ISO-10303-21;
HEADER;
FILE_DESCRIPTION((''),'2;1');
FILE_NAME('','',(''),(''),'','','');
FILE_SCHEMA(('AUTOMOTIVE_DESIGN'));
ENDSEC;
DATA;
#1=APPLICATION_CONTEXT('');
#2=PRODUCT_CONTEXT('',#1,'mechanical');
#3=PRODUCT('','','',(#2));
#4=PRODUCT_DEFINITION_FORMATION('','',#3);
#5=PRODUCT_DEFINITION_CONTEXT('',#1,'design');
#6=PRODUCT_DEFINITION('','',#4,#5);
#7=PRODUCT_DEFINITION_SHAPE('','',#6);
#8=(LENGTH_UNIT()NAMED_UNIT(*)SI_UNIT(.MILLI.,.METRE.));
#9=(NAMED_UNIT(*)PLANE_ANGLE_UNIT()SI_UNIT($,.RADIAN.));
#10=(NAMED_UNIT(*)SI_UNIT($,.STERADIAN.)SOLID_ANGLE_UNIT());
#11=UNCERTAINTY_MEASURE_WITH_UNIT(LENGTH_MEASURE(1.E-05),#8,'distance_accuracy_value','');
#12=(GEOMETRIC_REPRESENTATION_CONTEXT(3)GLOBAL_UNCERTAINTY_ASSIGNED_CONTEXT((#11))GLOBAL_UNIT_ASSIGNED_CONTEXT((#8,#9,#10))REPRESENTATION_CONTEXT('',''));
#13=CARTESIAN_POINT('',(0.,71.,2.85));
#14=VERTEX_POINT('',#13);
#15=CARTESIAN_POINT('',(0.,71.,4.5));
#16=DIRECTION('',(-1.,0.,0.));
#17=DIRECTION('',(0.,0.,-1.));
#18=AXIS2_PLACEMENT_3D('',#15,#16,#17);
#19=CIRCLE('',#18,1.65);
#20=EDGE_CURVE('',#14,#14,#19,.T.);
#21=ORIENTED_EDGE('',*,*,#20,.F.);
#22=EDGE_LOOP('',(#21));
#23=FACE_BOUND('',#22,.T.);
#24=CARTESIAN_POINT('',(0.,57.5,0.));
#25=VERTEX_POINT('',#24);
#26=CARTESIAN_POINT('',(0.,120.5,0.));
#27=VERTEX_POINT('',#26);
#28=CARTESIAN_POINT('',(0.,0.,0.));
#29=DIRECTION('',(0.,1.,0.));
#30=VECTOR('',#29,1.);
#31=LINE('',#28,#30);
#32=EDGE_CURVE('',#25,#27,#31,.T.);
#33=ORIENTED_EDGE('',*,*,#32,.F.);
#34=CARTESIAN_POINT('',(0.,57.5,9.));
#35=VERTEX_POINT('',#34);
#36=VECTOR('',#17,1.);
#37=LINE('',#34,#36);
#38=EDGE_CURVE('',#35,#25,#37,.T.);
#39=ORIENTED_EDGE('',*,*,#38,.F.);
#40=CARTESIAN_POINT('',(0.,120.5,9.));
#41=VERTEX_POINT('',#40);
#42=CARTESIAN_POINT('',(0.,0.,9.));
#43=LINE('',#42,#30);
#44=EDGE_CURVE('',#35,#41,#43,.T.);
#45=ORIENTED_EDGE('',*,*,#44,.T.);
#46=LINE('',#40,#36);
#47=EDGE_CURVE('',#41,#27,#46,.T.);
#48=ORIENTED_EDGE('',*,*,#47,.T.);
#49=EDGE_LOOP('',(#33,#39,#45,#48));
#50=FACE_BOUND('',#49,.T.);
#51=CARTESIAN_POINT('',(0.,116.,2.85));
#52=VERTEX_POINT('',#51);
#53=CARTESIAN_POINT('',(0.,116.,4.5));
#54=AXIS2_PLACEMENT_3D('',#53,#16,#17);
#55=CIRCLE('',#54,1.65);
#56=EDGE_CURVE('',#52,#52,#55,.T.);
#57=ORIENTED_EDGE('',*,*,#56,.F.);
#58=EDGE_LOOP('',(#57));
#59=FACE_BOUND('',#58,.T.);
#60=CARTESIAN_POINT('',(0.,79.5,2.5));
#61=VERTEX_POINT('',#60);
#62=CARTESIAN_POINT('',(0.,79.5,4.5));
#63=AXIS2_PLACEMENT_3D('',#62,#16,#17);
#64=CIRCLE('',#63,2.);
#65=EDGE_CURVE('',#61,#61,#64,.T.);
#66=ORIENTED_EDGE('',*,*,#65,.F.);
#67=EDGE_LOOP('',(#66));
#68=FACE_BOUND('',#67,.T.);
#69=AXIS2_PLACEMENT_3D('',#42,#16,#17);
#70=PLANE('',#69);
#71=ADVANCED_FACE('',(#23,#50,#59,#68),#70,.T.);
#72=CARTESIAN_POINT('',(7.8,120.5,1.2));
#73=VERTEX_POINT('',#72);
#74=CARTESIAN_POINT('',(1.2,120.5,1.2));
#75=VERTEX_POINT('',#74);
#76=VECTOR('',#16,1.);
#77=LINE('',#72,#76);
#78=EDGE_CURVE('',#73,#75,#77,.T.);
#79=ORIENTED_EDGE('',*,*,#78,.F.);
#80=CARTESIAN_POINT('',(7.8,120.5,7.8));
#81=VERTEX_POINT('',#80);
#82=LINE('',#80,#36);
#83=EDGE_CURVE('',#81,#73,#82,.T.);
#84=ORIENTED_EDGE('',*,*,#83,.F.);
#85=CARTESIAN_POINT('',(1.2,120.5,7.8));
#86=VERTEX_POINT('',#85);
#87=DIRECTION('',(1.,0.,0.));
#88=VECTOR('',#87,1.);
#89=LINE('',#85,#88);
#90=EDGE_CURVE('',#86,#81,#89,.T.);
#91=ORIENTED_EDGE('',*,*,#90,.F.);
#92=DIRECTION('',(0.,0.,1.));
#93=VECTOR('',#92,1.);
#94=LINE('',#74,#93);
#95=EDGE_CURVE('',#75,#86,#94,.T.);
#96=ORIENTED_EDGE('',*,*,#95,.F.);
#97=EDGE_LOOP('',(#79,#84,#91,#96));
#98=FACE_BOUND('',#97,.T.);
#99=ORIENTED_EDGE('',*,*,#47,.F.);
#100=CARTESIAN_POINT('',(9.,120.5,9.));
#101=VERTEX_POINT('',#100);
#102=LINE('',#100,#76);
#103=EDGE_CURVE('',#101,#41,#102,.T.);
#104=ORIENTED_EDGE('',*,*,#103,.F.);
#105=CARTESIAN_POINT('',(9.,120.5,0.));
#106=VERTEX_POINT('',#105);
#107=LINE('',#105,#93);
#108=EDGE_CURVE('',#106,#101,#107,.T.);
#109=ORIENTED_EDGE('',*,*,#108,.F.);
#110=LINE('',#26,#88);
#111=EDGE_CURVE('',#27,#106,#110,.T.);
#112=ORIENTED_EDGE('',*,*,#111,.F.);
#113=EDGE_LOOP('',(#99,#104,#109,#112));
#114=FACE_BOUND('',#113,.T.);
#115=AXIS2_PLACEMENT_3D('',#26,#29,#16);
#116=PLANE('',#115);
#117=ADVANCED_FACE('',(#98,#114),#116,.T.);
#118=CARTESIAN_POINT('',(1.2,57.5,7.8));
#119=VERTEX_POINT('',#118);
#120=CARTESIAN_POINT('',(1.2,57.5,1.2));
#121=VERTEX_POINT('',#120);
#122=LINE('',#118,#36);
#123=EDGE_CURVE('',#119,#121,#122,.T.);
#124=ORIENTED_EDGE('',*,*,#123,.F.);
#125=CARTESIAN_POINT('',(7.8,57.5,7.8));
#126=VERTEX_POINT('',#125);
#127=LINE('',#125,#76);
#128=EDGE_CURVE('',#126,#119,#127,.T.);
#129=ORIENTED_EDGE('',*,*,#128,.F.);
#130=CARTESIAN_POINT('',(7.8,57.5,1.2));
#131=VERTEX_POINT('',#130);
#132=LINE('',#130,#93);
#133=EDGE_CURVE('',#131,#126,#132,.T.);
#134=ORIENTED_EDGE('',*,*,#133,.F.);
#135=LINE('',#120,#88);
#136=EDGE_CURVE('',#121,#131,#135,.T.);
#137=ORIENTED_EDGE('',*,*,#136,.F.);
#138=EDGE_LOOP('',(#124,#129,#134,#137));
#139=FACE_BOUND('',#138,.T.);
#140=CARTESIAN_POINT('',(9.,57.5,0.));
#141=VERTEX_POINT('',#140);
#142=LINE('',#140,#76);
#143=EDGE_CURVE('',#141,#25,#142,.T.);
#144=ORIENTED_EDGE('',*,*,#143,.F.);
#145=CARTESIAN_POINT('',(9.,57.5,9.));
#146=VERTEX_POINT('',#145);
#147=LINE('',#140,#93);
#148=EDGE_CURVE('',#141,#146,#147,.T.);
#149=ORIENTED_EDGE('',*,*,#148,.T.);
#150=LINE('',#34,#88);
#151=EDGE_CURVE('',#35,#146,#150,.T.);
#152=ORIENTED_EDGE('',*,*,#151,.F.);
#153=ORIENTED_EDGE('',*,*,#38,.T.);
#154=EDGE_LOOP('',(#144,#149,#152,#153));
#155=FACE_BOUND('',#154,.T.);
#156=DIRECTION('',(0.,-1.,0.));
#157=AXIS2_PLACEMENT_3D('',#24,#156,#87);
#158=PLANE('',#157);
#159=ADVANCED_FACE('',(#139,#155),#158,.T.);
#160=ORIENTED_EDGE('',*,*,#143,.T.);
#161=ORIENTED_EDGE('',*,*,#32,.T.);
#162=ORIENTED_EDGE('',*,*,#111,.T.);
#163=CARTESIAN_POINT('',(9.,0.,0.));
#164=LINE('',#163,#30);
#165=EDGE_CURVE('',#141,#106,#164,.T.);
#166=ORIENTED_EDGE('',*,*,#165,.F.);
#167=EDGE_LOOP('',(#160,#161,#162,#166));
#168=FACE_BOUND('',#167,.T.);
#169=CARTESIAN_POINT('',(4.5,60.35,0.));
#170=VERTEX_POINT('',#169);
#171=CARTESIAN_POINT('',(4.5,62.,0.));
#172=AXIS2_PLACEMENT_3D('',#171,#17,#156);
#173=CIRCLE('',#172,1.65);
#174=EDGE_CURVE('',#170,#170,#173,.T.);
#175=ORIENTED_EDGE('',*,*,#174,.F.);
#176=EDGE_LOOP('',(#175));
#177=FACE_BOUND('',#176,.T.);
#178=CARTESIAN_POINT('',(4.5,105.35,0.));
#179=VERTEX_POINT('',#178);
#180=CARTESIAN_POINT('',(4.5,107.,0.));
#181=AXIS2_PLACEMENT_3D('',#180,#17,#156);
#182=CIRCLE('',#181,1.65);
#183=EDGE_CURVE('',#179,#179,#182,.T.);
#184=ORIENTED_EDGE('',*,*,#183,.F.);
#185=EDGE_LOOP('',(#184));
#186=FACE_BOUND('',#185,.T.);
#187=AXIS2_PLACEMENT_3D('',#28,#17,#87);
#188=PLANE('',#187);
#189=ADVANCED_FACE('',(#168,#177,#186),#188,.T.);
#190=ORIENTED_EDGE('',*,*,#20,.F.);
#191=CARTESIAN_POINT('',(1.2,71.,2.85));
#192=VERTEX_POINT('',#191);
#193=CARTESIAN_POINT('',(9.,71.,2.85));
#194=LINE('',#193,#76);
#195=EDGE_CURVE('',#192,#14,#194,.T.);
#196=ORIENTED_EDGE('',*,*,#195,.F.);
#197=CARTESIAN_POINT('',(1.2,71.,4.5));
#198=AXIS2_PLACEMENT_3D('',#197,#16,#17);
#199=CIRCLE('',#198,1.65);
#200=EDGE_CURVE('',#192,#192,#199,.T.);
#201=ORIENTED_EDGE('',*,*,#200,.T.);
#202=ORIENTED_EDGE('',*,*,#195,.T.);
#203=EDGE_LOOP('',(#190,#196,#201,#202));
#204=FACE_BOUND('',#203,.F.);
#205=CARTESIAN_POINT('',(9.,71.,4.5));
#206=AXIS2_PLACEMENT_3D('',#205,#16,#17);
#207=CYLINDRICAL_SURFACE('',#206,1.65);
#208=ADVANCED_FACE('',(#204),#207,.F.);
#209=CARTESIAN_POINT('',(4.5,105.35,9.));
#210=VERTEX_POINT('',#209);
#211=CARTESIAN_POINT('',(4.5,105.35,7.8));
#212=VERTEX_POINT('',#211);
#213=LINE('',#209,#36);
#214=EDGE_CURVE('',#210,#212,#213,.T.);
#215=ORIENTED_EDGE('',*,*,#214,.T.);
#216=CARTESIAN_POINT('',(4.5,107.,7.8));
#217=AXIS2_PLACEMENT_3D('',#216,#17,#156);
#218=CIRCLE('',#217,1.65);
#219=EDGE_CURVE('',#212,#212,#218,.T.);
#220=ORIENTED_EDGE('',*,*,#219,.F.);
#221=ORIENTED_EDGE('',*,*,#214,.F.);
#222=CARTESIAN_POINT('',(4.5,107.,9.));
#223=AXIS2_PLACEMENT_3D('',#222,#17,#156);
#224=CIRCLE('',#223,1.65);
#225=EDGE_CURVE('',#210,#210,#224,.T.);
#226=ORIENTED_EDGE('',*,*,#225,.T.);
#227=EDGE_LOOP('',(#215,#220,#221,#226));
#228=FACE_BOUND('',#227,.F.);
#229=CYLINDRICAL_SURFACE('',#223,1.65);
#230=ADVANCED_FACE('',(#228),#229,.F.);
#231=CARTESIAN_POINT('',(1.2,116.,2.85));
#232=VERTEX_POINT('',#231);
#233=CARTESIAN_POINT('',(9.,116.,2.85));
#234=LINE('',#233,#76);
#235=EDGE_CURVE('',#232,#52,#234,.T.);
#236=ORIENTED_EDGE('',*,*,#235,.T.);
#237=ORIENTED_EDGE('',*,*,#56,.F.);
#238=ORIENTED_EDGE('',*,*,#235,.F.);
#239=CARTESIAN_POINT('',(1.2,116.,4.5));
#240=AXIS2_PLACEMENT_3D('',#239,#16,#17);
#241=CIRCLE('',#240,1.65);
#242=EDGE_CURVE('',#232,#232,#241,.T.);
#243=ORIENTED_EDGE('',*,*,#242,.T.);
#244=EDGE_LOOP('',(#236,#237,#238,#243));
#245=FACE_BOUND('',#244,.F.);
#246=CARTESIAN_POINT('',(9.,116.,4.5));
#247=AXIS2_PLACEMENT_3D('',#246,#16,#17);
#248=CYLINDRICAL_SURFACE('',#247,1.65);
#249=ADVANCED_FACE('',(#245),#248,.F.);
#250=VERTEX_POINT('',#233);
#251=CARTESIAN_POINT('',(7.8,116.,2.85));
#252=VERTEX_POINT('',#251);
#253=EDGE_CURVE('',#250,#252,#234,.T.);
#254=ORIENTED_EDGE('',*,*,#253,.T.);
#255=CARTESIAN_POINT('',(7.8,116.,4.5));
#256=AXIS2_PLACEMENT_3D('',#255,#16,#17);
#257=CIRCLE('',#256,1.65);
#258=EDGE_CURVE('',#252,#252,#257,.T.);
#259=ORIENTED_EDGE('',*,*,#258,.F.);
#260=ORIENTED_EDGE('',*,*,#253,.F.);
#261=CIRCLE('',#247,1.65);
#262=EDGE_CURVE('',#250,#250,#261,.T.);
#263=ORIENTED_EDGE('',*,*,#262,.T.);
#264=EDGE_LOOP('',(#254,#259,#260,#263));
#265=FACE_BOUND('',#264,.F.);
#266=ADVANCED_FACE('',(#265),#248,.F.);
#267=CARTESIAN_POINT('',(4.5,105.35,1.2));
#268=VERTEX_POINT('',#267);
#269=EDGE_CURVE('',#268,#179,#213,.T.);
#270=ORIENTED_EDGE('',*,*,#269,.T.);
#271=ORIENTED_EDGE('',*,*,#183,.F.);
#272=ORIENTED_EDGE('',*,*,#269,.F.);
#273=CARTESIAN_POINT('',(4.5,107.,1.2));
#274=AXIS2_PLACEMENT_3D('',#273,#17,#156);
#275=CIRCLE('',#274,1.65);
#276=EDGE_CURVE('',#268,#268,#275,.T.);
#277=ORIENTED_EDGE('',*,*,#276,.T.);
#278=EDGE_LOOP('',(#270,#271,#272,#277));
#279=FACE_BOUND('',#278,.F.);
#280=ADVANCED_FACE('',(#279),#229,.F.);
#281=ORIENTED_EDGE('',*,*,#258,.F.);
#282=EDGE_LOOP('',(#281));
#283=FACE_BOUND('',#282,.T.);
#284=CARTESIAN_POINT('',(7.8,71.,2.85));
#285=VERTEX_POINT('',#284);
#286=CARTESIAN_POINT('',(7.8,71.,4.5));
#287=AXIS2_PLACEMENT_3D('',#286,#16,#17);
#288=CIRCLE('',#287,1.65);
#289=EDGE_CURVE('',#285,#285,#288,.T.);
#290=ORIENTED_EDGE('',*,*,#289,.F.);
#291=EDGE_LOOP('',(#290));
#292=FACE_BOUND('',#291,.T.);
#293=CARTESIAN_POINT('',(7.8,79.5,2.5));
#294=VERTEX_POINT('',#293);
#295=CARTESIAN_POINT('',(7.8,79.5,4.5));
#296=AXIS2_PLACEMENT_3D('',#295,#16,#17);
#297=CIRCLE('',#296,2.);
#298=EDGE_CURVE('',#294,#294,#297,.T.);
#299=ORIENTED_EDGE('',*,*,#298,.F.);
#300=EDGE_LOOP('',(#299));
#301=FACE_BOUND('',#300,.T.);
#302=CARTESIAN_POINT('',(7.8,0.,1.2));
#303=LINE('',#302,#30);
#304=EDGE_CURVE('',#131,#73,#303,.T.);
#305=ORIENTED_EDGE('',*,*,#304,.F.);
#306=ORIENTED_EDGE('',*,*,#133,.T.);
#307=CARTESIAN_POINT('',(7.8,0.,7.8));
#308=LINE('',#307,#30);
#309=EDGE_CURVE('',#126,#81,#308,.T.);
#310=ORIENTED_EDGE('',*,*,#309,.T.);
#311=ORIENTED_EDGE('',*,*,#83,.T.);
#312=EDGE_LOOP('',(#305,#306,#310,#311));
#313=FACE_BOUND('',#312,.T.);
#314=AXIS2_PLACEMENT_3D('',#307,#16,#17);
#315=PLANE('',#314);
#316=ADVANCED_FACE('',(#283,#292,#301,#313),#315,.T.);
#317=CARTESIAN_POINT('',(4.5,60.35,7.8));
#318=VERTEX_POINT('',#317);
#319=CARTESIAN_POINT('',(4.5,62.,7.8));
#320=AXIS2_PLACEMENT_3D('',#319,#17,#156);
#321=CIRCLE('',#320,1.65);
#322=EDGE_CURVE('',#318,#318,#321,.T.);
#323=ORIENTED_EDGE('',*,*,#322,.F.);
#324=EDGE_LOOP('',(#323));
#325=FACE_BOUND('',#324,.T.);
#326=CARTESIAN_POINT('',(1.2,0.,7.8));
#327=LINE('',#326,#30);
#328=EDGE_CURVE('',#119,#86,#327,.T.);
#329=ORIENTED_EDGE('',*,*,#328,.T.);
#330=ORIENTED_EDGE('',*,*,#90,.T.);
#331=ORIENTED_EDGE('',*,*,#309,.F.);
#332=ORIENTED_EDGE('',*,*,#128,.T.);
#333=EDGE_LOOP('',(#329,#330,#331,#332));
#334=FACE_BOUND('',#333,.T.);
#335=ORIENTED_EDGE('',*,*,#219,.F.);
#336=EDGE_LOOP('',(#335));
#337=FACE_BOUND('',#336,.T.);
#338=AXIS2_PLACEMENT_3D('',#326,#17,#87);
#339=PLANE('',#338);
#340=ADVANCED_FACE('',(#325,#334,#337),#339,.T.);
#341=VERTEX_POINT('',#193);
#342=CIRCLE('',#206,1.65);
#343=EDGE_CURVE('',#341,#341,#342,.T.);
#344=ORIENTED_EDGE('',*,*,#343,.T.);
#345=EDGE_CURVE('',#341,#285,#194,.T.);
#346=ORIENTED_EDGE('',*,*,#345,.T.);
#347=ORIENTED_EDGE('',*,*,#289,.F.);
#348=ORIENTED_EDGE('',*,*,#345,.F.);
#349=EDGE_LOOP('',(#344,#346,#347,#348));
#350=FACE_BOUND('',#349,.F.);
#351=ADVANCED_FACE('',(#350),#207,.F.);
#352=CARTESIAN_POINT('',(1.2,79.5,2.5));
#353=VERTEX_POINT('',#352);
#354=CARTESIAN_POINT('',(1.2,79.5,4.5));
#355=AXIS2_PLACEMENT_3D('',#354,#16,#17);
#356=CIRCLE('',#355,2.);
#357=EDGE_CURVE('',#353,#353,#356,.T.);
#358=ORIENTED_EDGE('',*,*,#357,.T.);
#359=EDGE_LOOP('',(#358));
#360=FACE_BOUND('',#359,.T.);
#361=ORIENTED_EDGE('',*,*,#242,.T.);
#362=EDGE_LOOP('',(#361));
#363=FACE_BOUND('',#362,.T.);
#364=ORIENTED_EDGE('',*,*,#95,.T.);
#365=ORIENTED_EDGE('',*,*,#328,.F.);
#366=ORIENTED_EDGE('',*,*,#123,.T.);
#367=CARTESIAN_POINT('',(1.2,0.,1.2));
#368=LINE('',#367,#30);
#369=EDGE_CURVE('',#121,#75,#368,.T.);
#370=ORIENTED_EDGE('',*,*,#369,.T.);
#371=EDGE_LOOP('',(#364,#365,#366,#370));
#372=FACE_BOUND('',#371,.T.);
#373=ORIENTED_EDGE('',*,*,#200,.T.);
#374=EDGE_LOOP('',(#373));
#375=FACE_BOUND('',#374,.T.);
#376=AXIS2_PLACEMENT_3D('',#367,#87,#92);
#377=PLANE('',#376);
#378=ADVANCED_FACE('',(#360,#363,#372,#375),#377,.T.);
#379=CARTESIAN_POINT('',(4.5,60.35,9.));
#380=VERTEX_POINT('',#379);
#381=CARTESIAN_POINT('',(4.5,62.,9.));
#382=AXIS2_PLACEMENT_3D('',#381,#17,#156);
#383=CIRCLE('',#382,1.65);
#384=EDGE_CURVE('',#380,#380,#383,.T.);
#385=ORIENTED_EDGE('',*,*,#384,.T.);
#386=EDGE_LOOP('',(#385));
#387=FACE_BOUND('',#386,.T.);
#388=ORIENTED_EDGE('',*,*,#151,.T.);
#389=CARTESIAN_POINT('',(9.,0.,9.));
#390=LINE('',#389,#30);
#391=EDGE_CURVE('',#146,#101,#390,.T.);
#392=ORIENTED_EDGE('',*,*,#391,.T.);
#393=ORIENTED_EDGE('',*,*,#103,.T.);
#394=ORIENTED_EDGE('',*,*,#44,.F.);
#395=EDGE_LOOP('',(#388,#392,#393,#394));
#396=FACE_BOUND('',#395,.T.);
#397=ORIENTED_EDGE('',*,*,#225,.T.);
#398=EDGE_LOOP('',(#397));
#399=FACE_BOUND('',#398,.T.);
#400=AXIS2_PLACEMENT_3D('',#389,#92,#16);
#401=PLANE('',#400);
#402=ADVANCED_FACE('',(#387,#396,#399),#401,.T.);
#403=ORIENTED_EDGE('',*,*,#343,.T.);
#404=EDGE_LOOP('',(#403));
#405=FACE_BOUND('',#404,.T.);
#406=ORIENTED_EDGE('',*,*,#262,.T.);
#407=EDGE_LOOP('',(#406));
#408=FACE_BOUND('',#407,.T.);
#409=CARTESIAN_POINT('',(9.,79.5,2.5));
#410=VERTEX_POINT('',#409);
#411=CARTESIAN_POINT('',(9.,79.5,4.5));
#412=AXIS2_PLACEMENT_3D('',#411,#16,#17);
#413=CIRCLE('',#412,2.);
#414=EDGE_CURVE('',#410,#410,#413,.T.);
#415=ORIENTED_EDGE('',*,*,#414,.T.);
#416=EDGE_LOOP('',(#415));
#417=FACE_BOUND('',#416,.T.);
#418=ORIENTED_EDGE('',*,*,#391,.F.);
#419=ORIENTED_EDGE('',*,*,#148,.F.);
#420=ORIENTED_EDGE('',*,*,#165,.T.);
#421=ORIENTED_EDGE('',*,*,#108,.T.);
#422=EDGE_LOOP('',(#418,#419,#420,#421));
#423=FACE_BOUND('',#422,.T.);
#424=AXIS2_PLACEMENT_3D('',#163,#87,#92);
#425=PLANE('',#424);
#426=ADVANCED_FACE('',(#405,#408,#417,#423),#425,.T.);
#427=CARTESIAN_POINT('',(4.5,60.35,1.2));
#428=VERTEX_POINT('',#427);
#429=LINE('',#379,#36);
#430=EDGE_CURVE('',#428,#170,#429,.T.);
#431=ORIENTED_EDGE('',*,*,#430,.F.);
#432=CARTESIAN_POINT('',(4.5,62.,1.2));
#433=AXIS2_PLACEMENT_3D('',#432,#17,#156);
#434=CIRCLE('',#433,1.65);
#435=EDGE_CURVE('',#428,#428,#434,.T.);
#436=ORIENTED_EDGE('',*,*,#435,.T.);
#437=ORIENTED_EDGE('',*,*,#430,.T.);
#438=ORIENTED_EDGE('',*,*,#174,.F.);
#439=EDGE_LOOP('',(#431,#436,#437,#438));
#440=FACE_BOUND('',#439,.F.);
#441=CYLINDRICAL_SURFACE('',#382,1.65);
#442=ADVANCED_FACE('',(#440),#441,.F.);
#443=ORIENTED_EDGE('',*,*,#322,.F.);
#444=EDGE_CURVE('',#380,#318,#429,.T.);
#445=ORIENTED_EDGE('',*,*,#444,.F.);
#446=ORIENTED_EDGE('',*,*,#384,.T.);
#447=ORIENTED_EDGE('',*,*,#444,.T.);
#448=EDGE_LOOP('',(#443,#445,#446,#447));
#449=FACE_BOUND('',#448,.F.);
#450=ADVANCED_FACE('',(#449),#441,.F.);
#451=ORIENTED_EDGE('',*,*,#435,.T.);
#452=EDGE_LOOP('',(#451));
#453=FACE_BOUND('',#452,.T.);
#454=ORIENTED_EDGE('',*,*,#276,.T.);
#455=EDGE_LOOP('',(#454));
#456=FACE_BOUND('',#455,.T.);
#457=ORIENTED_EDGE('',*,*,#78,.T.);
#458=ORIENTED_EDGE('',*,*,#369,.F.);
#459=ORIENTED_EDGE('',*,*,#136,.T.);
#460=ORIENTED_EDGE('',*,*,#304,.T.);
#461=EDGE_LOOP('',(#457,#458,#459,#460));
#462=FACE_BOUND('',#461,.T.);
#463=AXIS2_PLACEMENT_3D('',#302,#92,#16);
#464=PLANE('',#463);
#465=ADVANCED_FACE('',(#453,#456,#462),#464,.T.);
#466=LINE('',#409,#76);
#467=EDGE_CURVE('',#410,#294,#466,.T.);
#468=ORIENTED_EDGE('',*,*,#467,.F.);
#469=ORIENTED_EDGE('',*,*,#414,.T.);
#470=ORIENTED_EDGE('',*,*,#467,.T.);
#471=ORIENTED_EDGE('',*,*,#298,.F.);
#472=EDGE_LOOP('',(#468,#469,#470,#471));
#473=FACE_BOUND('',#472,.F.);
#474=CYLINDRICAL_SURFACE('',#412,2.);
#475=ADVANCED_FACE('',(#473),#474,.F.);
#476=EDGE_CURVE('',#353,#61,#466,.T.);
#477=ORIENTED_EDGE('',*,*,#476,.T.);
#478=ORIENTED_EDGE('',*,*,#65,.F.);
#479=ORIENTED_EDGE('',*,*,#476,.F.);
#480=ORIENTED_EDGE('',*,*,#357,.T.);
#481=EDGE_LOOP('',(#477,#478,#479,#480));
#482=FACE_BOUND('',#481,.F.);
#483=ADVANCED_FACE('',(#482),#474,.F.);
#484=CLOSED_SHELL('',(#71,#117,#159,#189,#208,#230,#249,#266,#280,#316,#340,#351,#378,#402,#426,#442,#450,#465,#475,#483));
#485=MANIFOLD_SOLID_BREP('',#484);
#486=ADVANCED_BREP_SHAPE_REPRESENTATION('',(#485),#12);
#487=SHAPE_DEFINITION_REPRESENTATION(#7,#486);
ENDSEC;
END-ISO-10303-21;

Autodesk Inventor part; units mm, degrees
ref_plane "YZ Plane" through (0, 0, 0) normal (1, 0, 0) x (0, 1, 0)
ref_plane "XZ Plane" through (0, 0, 0) normal (0, 1, 0) x (-1, 0, 0)
ref_plane "XY Plane" through (0, 0, 0) normal (0, 0, 1) x (1, 0, 0)
sketch "スケッチ1" plane through (0, 0, 0) normal (0, 1, 0) x (-1, 0, 0)
  line L0 (0, 0) -> (-9, 0)
  line L1 (-9, 0) -> (-9, 9)
  line L2 (-9, 9) -> (0, 9)
  line L3 (0, 9) -> (0, 0)
  line L4 (-1.2, 7.8) -> (-7.8, 7.8)
  line L5 (-7.8, 7.8) -> (-7.8, 1.2)
  line L6 (-7.8, 1.2) -> (-1.2, 1.2)
  line L7 (-1.2, 1.2) -> (-1.2, 7.8)
  dimension "d0" = 9
  dimension "d1" = 9
  dimension "d2" = 1.2
  dimension "d3" = 1.2
  dimension "d4" = 1.2
  dimension "d5" = 1.2
extrude "押し出し1" add sketch "スケッチ1" along normal blind 120.5
sketch "スケッチ3" plane through (9, 0, 9) normal (1, 0, 0) x (0, 0, -1)
  line L0 (0, 120.5) -> (9, 120.5) projected
  line L1 (9, 0) -> (9, 120.5) projected
  line L2 (0, 0) -> (9, 0) projected
  point P0 (4.5, 71)
  point P1 (4.5, 116)
  dimension "d20" = 4.5
  dimension "d38" = 71
  dimension "d39" = 45
hole "穴2" at (9, 71, 4.5) at (9, 116, 4.5) direction (-1, 0, 0) diameter 3.3 end through all
sketch "スケッチ4" plane through (0, 0, 9) normal (0, 0, 1) x (1, 0, 0)
  line L0 (0, 120.5) -> (9, 120.5) projected
  line L1 (9, 0) -> (9, 120.5) projected
  line L2 (0, 0) -> (9, 0) projected
  point P0 (4.5, 62)
  point P1 (4.5, 107)
  dimension "d29" = 4.5
  dimension "d37" = 62
  dimension "d40" = 45
hole "穴3" at (4.5, 62, 9) at (4.5, 107, 9) direction (0, 0, -1) diameter 3.3 end through all
sketch "スケッチ5" plane through (9, 0, 9) normal (1, 0, 0) x (0, 0, -1)
  line L0 (0, 0) -> (0, 120.5) projected
  circle A0 centre (4.5, 71) radius 1.65 projected
  point P0 (9, 0)
  point P1 (4.5, 79.5)
  dimension "d41" = 4.5
  dimension "d42" = 8.5
hole "穴4" at (9, 79.5, 4.5) direction (-1, 0, 0) diameter 4 end through all
sketch "スケッチ6" plane through (0, 0, 0) normal (0, -1, 0) x (1, 0, 0)
  line L0 (9, 0) -> (0, 0) projected
  line L1 (0, 9) -> (9, 9) projected
  line L2 (0, 0) -> (9, 0)
  line L3 (9, 0) -> (9, 9)
  line L4 (9, 9) -> (0, 9)
  line L5 (0, 9) -> (0, 0)
  line L6 (1.2, 1.2) -> (7.8, 1.2) projected
  line L7 (7.8, 1.2) -> (7.8, 7.8) projected
  line L8 (1.2, 1.2) -> (7.8, 1.2)
  line L9 (7.8, 1.2) -> (7.8, 7.8)
  line L10 (7.8, 7.8) -> (1.2, 7.8)
  line L11 (1.2, 7.8) -> (1.2, 1.2)
extrude "押し出し2" cut sketch "スケッチ6" against normal blind 57.5
equation "\"d3\" = d2"
equation "\"d4\" = d2"
equation "\"d5\" = d3"
properties part number "ハンド9x9_1" material "アルミニウム 6061"
